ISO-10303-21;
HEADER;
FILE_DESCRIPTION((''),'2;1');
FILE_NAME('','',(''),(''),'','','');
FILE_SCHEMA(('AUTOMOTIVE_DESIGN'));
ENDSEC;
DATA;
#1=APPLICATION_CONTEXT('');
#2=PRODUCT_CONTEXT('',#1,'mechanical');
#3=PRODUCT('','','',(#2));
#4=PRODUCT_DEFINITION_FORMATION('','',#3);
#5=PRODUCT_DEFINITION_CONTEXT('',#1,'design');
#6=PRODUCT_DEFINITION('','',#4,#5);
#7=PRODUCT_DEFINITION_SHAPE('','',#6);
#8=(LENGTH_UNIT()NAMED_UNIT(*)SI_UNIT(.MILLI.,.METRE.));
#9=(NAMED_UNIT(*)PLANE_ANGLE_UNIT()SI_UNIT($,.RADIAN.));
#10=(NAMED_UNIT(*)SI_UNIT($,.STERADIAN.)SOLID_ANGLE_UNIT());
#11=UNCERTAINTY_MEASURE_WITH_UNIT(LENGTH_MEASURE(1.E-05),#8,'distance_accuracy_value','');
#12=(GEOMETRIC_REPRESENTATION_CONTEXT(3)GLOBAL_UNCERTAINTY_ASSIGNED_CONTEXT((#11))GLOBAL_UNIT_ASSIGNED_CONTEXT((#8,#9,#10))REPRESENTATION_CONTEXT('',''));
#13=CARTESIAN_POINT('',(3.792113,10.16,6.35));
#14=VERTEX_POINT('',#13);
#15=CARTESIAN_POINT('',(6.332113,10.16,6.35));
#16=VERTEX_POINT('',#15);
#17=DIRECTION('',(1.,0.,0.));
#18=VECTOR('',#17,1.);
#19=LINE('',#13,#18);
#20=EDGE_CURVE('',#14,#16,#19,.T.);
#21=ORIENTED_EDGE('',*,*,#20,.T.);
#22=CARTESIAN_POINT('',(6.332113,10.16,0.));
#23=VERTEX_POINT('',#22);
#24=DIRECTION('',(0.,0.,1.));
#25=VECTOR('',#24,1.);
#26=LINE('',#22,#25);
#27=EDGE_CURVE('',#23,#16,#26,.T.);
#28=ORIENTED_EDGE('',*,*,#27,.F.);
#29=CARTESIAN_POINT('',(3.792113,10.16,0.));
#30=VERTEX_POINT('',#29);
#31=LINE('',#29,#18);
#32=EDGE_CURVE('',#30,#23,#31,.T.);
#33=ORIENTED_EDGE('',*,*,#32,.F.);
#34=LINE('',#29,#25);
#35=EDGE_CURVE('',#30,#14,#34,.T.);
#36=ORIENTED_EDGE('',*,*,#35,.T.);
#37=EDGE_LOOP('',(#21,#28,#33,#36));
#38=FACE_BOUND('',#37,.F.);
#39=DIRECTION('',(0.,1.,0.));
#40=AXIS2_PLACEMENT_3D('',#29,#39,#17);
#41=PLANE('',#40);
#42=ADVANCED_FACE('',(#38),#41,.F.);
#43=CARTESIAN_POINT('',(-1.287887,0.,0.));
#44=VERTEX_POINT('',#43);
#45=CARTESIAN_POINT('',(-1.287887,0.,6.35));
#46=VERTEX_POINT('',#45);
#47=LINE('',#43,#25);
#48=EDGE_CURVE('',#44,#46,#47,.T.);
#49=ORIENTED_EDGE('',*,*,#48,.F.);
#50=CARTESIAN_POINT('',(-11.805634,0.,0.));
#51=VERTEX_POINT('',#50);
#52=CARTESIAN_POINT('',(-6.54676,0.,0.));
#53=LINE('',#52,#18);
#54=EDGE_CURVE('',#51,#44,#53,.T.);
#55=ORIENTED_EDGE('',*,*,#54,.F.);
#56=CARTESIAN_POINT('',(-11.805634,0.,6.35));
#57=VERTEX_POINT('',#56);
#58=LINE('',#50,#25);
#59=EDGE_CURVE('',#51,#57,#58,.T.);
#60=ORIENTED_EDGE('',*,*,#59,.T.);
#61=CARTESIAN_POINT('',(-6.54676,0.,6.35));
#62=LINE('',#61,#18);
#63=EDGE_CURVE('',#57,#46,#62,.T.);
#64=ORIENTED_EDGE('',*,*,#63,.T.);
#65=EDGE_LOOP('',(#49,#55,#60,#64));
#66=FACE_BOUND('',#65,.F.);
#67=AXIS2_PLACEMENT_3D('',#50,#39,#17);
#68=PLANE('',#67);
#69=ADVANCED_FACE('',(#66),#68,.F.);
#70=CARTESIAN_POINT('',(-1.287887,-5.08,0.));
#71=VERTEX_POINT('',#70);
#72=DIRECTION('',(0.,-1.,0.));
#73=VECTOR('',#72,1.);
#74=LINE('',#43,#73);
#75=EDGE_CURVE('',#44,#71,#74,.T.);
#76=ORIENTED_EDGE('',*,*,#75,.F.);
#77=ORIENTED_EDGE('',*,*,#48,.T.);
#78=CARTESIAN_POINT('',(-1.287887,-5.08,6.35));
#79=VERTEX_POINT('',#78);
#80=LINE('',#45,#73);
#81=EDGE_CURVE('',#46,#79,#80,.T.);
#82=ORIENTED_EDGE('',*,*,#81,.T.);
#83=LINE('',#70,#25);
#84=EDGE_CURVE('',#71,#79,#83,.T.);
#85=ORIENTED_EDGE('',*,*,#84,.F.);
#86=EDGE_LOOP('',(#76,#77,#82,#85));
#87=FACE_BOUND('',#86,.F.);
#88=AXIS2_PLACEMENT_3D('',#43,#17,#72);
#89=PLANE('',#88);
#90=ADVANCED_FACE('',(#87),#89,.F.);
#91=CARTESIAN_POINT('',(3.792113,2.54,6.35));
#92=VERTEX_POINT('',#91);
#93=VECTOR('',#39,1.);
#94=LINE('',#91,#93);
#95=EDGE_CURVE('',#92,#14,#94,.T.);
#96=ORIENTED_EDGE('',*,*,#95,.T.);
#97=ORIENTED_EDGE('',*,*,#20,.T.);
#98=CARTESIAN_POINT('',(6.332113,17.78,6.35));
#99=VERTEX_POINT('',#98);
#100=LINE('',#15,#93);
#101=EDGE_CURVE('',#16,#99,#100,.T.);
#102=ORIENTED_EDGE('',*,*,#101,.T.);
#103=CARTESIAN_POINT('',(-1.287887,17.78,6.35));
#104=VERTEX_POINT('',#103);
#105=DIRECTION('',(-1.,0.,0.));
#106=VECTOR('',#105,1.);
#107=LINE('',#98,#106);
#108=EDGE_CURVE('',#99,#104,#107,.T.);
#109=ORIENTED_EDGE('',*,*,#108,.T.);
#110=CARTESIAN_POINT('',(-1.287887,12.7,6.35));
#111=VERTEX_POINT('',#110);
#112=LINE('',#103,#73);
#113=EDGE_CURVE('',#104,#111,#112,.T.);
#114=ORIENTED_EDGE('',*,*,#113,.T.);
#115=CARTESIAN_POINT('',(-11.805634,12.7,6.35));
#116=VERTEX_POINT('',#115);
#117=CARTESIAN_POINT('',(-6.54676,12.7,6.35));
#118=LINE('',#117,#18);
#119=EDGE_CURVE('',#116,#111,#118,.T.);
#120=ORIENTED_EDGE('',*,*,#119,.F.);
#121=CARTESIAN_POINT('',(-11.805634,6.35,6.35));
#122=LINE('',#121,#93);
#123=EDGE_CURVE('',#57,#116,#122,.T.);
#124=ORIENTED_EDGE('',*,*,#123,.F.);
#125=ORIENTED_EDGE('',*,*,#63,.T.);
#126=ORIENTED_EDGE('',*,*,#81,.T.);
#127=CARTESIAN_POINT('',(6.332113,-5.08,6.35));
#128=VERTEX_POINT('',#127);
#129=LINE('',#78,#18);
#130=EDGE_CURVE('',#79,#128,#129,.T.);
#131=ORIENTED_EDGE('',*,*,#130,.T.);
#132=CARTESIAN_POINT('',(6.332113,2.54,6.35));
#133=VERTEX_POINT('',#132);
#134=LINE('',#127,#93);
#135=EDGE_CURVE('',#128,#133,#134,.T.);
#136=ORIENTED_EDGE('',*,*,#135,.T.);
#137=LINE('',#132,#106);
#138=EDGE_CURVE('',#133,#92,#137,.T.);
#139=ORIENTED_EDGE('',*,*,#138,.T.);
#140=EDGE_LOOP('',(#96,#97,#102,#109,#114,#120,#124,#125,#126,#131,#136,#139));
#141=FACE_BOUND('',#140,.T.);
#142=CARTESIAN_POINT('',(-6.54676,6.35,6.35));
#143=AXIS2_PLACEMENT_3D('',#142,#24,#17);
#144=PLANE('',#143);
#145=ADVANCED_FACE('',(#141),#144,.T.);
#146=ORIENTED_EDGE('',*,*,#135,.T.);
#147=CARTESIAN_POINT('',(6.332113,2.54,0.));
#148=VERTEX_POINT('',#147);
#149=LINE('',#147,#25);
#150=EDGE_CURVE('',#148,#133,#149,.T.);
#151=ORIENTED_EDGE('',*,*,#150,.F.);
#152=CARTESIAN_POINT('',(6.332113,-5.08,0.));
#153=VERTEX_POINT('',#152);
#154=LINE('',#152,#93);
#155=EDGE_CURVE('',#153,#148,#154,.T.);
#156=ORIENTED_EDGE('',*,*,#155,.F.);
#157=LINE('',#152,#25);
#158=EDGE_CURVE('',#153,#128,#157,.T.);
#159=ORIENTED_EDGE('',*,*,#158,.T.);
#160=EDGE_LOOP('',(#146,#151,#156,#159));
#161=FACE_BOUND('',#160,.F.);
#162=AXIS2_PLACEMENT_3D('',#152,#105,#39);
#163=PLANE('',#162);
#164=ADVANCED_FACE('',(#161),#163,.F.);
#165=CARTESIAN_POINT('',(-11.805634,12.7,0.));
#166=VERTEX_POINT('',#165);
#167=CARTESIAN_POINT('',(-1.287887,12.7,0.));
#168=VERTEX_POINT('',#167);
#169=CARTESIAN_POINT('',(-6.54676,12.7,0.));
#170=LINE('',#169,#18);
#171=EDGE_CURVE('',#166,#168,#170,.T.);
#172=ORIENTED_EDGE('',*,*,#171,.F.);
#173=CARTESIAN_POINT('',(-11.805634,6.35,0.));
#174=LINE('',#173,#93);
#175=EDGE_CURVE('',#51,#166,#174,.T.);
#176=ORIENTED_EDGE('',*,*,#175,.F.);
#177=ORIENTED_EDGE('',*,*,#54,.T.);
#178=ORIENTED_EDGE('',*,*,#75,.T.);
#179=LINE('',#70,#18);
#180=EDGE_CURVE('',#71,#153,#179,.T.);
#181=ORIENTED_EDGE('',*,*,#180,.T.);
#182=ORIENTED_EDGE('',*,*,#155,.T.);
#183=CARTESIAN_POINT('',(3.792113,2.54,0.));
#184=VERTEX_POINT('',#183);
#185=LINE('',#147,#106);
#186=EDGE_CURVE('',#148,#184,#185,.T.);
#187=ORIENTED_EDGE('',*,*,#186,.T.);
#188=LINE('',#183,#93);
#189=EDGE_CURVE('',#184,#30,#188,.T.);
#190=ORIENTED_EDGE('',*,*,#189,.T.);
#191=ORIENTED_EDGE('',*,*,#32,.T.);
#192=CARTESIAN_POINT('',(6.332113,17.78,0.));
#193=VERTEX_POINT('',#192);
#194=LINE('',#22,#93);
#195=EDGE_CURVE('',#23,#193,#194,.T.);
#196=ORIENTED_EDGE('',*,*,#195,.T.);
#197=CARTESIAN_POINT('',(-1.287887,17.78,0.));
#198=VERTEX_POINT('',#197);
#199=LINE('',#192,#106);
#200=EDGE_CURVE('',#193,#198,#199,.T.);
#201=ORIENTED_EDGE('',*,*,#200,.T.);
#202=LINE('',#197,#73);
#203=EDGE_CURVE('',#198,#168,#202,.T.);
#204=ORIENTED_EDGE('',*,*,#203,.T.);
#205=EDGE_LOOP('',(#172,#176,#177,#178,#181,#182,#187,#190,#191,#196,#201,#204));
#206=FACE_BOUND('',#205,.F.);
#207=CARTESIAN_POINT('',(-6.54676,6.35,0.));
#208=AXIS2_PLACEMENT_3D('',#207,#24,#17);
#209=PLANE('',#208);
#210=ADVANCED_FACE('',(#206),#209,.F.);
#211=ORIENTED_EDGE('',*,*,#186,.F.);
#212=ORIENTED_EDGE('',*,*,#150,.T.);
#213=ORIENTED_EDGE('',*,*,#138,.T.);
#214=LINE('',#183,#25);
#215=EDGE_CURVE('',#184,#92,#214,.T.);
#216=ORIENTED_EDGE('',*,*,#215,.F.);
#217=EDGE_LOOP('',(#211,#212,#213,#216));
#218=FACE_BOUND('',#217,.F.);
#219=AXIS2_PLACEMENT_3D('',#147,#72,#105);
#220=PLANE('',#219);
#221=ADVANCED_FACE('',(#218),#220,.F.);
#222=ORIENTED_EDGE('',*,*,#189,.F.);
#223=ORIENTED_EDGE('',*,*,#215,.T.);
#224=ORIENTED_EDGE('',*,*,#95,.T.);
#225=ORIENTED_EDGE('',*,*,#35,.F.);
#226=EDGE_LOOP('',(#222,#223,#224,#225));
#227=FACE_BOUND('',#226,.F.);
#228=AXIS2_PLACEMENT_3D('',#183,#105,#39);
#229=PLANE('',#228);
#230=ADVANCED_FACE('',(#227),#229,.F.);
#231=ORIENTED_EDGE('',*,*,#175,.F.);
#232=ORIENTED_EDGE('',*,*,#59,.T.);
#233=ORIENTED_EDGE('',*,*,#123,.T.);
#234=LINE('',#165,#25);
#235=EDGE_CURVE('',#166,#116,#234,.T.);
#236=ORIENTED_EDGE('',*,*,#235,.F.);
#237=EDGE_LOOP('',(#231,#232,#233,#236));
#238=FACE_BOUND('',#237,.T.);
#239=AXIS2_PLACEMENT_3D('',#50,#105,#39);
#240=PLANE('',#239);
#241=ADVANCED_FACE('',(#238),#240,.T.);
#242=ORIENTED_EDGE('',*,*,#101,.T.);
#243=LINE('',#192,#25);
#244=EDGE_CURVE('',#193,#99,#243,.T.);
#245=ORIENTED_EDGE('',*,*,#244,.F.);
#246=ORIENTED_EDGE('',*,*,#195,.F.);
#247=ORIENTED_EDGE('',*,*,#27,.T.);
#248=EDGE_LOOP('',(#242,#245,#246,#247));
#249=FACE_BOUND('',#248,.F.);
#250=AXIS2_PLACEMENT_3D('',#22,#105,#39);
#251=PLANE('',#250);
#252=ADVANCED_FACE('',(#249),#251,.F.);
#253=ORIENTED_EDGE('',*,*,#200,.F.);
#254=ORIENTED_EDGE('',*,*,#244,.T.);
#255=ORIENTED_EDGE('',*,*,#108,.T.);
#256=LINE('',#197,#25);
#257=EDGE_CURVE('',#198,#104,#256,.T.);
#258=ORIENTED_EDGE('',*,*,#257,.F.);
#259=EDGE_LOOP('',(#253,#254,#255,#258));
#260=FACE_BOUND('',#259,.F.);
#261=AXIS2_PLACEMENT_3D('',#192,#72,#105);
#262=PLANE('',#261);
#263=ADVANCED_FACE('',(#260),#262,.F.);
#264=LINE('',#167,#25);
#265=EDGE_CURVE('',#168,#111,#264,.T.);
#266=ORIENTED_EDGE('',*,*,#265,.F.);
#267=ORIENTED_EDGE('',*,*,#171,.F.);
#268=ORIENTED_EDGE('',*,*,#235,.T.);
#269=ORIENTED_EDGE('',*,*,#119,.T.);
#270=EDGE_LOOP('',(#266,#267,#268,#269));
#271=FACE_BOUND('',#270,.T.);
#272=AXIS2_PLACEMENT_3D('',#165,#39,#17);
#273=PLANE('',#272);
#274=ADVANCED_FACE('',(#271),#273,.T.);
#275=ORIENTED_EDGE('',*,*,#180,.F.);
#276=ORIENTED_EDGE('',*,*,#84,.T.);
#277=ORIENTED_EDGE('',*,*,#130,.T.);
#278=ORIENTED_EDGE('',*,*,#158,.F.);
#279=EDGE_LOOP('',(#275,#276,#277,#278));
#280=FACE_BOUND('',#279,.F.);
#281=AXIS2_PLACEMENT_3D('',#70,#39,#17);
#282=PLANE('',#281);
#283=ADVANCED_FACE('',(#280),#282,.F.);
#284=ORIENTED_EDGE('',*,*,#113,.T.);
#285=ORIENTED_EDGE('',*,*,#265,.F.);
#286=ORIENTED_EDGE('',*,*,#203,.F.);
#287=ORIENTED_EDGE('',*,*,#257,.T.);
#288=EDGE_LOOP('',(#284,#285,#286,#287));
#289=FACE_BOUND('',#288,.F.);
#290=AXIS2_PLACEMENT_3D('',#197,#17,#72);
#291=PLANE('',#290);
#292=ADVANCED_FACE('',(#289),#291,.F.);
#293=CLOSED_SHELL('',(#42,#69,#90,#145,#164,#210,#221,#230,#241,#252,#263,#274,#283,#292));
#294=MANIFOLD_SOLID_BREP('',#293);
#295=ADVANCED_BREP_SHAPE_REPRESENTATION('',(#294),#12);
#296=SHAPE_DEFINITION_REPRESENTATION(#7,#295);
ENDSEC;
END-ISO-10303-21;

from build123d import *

# Parameters (mm, degrees)
F0_W     = 10.517747
F0_H     = 12.7
F1_DEPTH = 6.35


with BuildPart() as f1:
    # F0 (on Top) → F1 (new body)
    with BuildSketch(Plane.XY):
        with Locations((-6.54676, 6.35)):
            Rectangle(F0_W, F0_H)
        Polygon((-1.287887, 12.7), (-1.287887, 0), (-1.287887, -5.08), (6.332113, -5.08), (6.332113, 2.54), (3.792113, 2.54), (3.792113, 10.16), (6.332113, 10.16), (6.332113, 17.78), (-1.287887, 17.78), align=None)
    extrude(amount=F1_DEPTH)


solid = f1.part
